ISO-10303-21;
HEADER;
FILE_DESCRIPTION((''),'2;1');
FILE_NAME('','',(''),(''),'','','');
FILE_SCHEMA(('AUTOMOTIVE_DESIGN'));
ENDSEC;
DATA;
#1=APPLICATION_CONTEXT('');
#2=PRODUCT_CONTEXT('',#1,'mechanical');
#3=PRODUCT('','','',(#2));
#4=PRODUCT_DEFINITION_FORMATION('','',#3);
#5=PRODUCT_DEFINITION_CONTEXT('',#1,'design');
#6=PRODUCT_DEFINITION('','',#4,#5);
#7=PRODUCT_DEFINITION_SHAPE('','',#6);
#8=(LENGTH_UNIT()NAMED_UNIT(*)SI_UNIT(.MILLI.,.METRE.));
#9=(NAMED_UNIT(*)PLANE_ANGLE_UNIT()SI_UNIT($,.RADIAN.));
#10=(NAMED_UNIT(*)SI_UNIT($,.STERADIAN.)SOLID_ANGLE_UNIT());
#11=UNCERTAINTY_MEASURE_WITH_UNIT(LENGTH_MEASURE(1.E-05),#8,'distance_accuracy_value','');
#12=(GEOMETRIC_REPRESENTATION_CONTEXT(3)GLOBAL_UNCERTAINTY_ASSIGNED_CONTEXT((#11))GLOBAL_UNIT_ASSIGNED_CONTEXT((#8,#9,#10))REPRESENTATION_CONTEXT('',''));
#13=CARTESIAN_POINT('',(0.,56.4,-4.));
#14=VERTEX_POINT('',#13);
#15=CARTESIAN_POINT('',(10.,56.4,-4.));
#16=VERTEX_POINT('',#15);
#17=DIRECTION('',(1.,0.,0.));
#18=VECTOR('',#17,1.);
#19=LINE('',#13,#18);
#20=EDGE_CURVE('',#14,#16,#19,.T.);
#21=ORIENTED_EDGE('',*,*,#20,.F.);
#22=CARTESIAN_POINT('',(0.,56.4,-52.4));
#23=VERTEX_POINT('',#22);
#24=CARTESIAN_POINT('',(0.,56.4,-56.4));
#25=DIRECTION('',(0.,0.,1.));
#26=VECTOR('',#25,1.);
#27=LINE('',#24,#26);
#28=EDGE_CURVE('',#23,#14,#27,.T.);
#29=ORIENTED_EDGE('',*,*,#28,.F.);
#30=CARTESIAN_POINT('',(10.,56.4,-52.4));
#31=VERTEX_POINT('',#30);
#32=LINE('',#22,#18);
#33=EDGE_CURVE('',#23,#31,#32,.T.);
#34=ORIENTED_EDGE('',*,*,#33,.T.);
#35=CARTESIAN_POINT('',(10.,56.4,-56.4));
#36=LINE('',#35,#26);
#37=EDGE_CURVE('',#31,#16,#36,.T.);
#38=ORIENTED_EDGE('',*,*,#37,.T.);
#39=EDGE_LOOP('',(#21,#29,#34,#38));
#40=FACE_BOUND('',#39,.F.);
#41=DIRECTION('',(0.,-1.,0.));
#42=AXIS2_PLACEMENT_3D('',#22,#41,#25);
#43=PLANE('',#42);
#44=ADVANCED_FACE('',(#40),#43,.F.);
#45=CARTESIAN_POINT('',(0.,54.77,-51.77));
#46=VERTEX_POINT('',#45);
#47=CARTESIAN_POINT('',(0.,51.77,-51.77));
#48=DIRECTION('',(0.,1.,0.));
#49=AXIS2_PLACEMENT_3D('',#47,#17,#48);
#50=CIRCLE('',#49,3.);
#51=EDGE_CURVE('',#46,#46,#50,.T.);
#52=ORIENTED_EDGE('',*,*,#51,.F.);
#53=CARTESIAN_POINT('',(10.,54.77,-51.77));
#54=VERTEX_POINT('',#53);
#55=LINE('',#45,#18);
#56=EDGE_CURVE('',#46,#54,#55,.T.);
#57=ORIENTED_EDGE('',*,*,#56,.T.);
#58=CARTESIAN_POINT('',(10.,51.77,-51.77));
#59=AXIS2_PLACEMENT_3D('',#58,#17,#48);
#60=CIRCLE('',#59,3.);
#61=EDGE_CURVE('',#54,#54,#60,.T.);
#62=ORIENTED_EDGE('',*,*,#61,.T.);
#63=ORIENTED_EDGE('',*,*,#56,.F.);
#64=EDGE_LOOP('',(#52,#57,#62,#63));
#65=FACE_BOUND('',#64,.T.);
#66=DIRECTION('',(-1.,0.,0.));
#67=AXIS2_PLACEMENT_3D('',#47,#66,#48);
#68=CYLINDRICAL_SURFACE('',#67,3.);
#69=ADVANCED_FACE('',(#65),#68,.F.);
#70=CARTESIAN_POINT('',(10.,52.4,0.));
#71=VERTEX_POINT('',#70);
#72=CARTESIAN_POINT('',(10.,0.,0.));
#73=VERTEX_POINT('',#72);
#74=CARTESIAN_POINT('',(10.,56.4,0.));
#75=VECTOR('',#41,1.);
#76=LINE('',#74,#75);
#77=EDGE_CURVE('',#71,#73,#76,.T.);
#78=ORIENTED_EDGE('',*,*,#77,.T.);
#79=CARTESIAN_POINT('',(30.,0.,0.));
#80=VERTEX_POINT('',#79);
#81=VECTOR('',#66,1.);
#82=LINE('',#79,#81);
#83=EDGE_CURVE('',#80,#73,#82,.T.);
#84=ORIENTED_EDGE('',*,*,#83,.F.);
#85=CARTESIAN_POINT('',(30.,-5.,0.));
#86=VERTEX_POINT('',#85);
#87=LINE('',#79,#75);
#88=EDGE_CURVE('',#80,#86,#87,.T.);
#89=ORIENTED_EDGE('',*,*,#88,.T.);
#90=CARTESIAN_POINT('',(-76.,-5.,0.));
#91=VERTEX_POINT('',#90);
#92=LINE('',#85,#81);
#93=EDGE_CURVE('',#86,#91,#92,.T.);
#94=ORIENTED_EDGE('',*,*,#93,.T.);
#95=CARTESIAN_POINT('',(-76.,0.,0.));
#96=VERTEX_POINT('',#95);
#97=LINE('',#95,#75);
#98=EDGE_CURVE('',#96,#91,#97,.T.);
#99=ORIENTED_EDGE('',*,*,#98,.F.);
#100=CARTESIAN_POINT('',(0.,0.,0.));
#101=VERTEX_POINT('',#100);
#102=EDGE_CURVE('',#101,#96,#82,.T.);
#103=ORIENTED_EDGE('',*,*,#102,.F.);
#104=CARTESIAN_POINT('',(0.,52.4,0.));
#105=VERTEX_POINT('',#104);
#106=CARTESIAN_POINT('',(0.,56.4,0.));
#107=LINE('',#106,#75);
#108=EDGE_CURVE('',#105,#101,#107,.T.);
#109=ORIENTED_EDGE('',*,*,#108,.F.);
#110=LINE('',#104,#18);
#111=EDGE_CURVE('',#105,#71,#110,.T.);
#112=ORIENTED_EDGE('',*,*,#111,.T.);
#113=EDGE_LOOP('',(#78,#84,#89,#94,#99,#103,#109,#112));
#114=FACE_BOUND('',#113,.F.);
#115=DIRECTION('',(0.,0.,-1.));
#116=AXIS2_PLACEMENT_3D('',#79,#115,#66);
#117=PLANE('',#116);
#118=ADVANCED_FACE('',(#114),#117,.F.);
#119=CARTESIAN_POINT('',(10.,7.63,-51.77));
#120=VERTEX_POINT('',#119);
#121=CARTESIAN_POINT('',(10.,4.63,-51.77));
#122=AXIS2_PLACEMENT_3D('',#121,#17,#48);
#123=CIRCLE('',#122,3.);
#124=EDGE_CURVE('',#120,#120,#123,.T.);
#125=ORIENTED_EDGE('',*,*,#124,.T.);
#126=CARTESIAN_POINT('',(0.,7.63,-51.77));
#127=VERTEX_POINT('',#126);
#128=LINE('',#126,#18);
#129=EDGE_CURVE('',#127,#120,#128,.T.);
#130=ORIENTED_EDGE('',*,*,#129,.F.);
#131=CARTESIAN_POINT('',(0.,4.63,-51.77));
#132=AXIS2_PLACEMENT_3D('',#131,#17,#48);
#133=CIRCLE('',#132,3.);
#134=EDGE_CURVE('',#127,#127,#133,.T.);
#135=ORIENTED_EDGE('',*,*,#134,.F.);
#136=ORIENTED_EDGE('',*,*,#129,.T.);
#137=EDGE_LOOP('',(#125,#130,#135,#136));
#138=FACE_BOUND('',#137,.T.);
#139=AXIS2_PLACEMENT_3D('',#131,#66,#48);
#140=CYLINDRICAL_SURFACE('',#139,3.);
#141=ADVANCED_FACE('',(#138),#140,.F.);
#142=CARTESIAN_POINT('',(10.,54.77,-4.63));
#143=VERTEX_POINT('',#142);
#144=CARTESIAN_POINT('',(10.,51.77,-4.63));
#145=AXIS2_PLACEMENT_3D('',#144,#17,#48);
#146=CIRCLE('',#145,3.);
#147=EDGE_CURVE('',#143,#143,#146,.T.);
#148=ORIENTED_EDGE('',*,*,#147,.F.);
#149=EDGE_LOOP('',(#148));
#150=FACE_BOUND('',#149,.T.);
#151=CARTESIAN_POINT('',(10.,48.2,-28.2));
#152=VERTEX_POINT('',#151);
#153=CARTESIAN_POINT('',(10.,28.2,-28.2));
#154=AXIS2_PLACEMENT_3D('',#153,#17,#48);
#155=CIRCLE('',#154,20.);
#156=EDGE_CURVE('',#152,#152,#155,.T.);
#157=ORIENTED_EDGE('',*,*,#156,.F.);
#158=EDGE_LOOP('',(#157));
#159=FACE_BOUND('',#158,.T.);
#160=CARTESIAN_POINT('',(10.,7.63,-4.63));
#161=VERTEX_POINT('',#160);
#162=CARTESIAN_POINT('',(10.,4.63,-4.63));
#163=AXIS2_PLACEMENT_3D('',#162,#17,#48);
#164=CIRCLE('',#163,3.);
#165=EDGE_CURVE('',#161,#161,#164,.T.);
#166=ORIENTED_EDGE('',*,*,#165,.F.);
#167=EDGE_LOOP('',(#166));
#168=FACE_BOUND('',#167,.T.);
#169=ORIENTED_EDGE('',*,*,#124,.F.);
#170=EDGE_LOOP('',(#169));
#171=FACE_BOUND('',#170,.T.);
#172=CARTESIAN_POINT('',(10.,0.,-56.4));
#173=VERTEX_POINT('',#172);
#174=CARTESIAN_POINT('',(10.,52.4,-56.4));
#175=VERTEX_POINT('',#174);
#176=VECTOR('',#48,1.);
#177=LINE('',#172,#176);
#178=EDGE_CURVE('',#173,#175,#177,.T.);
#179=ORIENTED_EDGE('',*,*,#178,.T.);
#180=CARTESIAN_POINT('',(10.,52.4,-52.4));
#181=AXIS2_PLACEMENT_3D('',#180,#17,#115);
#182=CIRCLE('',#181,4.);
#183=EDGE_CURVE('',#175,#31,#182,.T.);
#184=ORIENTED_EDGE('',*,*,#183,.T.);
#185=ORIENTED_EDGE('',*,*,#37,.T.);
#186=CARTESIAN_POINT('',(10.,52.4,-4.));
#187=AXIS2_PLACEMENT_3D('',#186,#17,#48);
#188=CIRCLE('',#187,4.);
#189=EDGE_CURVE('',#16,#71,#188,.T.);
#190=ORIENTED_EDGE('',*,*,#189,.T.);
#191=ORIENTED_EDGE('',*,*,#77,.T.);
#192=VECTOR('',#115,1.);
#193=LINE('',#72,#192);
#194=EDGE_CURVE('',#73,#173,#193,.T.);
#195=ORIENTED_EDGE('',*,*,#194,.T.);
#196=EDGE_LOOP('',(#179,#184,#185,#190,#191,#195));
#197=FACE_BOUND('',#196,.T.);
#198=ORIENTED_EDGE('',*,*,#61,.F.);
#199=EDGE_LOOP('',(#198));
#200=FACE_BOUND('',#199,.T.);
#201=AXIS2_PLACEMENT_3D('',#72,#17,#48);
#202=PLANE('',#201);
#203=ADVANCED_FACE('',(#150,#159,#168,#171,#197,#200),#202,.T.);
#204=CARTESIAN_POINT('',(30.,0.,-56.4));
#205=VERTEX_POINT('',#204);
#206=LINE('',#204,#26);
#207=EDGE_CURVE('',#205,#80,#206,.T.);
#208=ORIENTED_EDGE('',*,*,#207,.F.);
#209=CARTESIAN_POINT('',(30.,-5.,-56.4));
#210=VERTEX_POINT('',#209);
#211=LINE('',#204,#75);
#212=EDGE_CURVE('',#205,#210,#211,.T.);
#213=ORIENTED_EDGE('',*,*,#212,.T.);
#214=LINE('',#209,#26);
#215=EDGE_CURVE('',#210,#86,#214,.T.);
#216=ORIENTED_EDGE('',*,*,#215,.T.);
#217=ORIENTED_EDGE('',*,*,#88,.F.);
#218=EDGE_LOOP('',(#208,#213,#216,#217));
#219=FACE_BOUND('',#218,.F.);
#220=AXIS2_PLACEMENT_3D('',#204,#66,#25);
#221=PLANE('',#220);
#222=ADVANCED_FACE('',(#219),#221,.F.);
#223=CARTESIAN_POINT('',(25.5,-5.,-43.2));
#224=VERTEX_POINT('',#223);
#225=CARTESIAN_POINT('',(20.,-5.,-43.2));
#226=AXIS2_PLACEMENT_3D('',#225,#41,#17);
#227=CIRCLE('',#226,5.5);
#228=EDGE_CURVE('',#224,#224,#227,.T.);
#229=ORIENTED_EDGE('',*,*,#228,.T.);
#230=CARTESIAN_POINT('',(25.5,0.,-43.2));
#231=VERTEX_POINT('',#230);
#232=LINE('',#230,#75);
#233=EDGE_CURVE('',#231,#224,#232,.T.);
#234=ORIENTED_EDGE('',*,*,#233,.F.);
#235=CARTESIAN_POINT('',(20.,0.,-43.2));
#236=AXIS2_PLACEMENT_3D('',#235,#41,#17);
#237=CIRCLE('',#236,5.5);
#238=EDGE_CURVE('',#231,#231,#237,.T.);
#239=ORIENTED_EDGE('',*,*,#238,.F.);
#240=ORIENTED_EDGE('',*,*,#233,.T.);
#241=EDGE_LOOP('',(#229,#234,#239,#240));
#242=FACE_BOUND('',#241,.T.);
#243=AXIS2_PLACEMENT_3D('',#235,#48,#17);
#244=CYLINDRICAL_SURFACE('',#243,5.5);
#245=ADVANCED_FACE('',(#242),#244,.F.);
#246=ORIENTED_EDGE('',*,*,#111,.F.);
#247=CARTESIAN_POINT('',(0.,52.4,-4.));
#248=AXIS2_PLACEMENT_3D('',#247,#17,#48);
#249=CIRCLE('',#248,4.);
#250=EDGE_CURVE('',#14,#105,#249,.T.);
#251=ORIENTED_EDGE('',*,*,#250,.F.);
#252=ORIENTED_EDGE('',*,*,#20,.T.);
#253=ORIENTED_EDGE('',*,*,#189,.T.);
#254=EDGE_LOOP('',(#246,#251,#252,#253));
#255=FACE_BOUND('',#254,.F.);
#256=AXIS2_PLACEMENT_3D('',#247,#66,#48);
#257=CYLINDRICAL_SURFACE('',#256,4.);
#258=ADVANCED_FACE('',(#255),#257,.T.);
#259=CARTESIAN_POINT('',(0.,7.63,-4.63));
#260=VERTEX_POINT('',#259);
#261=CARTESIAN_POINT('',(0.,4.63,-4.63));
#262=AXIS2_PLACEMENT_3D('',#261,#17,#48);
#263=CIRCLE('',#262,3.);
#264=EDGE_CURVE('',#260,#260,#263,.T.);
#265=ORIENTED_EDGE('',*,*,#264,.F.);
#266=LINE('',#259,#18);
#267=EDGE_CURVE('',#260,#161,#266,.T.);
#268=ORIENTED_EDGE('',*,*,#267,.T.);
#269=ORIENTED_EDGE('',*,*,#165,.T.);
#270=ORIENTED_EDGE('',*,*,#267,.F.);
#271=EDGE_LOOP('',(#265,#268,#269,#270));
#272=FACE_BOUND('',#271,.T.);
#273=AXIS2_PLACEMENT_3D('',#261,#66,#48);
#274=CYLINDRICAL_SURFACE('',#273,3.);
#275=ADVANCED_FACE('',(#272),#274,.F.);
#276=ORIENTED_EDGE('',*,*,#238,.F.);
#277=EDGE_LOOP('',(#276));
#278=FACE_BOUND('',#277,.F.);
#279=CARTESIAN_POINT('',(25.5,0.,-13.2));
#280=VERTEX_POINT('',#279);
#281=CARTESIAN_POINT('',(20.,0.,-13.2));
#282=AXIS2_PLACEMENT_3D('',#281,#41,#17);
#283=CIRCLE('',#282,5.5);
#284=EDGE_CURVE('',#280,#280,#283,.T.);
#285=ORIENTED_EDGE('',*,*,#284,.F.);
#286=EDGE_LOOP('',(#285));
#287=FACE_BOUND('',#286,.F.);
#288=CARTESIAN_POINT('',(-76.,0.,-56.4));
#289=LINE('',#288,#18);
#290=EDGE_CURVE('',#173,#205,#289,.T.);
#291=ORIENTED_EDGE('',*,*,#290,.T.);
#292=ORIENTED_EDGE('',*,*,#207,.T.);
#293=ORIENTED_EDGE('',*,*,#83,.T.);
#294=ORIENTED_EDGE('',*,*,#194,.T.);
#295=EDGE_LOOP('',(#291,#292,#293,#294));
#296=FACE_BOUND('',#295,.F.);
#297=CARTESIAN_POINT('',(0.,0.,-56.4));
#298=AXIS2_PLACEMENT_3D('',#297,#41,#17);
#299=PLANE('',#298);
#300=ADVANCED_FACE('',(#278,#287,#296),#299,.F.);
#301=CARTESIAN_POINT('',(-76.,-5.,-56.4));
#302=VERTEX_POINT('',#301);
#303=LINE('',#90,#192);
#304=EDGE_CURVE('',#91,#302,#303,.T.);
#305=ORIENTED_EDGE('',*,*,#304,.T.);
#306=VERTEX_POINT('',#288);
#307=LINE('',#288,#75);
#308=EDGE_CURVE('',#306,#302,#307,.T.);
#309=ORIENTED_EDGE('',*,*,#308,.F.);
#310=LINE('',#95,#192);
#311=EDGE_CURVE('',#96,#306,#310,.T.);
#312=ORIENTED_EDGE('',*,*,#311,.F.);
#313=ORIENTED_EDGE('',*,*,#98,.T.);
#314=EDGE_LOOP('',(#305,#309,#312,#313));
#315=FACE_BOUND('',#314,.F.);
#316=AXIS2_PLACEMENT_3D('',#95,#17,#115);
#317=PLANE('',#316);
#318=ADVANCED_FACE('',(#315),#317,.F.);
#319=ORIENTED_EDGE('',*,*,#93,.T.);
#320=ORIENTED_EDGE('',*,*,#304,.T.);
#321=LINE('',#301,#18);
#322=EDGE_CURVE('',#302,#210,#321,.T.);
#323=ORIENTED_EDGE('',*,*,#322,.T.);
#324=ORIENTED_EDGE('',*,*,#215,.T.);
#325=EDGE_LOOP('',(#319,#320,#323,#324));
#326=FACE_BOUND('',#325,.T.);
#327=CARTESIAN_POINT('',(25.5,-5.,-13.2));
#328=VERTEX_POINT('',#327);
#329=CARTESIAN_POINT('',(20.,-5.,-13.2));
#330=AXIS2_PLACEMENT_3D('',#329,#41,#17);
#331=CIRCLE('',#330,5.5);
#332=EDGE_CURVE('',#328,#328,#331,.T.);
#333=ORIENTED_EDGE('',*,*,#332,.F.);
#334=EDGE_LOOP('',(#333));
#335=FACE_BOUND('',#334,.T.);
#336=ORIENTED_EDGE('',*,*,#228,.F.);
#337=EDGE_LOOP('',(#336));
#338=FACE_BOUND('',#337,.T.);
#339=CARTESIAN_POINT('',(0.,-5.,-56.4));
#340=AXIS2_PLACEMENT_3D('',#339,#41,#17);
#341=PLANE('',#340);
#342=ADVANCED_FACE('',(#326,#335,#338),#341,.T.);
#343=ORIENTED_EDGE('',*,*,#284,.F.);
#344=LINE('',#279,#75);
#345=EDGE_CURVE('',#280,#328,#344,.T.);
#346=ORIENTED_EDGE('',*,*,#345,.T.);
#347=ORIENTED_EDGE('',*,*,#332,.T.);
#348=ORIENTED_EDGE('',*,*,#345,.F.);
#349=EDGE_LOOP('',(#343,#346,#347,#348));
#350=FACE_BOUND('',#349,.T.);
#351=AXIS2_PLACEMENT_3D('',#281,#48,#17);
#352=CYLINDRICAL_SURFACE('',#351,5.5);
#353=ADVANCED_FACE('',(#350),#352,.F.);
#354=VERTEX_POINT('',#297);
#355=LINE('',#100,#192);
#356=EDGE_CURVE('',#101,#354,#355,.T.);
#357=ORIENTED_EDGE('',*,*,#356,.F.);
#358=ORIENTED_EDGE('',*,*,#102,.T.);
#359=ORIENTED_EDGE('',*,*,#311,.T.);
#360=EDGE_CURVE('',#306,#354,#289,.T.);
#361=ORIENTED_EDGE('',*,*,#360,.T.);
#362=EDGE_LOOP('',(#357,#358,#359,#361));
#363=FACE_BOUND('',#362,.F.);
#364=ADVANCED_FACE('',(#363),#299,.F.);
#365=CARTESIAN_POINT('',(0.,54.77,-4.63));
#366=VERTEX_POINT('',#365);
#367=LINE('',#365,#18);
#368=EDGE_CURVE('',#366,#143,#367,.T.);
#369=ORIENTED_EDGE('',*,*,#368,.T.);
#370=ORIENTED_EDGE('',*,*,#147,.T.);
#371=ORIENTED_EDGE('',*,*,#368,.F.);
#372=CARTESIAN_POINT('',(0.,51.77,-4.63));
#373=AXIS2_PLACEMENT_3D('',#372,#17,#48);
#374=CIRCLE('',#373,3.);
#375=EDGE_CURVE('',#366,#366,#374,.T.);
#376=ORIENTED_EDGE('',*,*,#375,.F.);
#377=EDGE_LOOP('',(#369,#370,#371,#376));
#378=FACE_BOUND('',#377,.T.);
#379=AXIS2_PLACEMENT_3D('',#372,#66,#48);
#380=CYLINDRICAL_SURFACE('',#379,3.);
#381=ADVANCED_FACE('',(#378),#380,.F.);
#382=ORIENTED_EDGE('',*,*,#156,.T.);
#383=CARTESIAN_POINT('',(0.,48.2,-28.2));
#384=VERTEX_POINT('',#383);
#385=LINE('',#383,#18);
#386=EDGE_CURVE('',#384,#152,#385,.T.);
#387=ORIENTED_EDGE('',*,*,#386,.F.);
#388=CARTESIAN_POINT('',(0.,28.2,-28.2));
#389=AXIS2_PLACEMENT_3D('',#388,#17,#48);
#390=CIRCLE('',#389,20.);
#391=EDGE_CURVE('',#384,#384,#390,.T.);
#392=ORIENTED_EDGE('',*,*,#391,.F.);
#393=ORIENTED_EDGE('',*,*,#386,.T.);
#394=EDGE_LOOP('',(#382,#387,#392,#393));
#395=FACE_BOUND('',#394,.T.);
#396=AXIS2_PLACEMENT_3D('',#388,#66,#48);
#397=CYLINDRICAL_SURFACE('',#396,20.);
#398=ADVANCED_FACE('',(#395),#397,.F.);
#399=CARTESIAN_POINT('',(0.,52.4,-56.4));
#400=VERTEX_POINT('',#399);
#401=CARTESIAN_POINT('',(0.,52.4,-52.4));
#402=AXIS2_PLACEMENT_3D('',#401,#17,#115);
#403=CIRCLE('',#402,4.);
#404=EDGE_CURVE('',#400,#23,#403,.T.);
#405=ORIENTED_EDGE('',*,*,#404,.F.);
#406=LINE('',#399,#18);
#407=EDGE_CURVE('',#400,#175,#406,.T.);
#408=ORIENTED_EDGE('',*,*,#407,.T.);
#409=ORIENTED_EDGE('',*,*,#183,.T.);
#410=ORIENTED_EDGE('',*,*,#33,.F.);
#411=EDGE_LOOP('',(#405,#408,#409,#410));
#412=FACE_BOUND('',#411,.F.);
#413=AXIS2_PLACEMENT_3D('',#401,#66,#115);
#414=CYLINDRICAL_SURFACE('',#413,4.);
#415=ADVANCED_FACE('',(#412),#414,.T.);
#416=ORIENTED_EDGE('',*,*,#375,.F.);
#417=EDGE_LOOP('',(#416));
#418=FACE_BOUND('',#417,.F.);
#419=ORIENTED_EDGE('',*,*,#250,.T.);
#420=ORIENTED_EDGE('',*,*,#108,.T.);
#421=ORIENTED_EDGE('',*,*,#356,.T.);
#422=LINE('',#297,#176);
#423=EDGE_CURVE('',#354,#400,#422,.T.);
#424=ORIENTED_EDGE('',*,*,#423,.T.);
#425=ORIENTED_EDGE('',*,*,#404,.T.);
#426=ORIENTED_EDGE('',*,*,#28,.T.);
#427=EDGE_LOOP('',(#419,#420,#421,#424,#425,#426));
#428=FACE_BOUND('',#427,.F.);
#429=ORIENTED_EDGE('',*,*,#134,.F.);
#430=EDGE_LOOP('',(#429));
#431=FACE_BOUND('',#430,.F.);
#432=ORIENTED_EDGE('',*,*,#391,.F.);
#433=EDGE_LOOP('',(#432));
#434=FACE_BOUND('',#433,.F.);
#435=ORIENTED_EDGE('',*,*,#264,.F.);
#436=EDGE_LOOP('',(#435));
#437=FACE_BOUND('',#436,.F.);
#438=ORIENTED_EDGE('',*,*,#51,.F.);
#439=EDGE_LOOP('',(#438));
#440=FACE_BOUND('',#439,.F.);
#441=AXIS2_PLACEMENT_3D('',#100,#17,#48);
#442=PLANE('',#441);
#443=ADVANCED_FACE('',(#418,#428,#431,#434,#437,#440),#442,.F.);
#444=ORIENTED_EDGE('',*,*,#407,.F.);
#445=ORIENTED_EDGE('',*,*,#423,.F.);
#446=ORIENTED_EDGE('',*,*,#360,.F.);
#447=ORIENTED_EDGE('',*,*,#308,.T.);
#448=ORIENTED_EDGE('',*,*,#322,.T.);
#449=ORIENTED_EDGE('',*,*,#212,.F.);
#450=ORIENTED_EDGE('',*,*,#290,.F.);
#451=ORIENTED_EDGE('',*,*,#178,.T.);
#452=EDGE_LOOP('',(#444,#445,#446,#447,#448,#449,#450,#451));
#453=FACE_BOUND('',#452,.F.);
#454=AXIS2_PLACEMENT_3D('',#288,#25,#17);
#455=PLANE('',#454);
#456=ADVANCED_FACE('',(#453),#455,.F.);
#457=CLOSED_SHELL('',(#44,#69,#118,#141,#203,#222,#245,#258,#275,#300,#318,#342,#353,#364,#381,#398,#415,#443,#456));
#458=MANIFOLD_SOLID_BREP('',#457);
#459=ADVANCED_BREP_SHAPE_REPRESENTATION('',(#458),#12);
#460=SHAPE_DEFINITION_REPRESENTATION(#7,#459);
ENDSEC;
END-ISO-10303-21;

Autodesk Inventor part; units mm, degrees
ref_plane "YZ Plane" through (0, 0, 0) normal (1, 0, 0) x (0, 1, 0)
ref_plane "XZ Plane" through (0, 0, 0) normal (0, 1, 0) x (-1, 0, 0)
ref_plane "XY Plane" through (0, 0, 0) normal (0, 0, 1) x (1, 0, 0)
sketch "Sketch1" plane through (0, 0, 0) normal (1, 0, 0) x (0, 1, 0)
  line L0 (56.4, 0) -> (0, 0)
  line L1 (0, 0) -> (0, -56.4)
  line L2 (0, -56.4) -> (56.4, -56.4)
  line L3 (56.4, -56.4) -> (56.4, 0)
  line L4 (51.77, -4.63) -> (4.63, -4.63) construction
  line L5 (4.63, -4.63) -> (4.63, -51.77) construction
  line L6 (4.63, -51.77) -> (51.77, -51.77) construction
  line L7 (51.77, -51.77) -> (51.77, -4.63) construction
  circle A0 centre (28.2, -28.2) radius 20
  circle A1 centre (51.77, -4.63) radius 3
  circle A2 centre (51.77, -51.77) radius 3
  circle A3 centre (4.63, -4.63) radius 3
  circle A4 centre (4.63, -51.77) radius 3
  arc A5 (56.4, -4) -> (52.4, 0) centre (52.4, -4) ccw
  arc A6 (52.4, -56.4) -> (56.4, -52.4) centre (52.4, -52.4) ccw
  point P0 (51.77, -28.2)
  point P1 (56.4, -28.2)
  point P2 (28.2, -56.4)
  point P3 (28.2, -51.77)
  dimension "d0" = 56.4
  dimension "d1" = 47.14
  dimension "d2" = 40
  dimension "d3" = 6
  dimension "d4" = 4
  dimension "d5" = 4
extrude "Extrusion1" add sketch "Sketch1" along normal blind 10 contours A5 L3 A6 L2 L1 L0
sketch "Sketch2" plane through (0, 0, -56.4) normal (0, -1, 0) x (1, 0, 0)
  line L0 (-76, 0) -> (30, 0)
  line L1 (30, 0) -> (30, 56.4)
  line L2 (30, 56.4) -> (-76, 56.4)
  line L3 (-76, 56.4) -> (-76, 0)
  circle A0 centre (20, 43.2) radius 5.5
  circle A1 centre (20, 13.2) radius 5.5
  line L4 (20, 43.2) -> (20, 13.2) construction
  line L5 (10, 56.4) -> (20, 43.2) construction
  line L6 (30, 56.4) -> (20, 43.2) construction
  point P0 (0, 56.4)
  point P1 (0, 0)
  point P2 (20, 28.2)
  point P3 (30, 28.2)
  dimension "d8" = 30
  dimension "d9" = 76
  dimension "d10" = 11
  dimension "d11" = 11
  dimension "d12" = 30
extrude "Extrusion2" add sketch "Sketch2" along normal blind 5
properties part number "NEMA23_Mount"
